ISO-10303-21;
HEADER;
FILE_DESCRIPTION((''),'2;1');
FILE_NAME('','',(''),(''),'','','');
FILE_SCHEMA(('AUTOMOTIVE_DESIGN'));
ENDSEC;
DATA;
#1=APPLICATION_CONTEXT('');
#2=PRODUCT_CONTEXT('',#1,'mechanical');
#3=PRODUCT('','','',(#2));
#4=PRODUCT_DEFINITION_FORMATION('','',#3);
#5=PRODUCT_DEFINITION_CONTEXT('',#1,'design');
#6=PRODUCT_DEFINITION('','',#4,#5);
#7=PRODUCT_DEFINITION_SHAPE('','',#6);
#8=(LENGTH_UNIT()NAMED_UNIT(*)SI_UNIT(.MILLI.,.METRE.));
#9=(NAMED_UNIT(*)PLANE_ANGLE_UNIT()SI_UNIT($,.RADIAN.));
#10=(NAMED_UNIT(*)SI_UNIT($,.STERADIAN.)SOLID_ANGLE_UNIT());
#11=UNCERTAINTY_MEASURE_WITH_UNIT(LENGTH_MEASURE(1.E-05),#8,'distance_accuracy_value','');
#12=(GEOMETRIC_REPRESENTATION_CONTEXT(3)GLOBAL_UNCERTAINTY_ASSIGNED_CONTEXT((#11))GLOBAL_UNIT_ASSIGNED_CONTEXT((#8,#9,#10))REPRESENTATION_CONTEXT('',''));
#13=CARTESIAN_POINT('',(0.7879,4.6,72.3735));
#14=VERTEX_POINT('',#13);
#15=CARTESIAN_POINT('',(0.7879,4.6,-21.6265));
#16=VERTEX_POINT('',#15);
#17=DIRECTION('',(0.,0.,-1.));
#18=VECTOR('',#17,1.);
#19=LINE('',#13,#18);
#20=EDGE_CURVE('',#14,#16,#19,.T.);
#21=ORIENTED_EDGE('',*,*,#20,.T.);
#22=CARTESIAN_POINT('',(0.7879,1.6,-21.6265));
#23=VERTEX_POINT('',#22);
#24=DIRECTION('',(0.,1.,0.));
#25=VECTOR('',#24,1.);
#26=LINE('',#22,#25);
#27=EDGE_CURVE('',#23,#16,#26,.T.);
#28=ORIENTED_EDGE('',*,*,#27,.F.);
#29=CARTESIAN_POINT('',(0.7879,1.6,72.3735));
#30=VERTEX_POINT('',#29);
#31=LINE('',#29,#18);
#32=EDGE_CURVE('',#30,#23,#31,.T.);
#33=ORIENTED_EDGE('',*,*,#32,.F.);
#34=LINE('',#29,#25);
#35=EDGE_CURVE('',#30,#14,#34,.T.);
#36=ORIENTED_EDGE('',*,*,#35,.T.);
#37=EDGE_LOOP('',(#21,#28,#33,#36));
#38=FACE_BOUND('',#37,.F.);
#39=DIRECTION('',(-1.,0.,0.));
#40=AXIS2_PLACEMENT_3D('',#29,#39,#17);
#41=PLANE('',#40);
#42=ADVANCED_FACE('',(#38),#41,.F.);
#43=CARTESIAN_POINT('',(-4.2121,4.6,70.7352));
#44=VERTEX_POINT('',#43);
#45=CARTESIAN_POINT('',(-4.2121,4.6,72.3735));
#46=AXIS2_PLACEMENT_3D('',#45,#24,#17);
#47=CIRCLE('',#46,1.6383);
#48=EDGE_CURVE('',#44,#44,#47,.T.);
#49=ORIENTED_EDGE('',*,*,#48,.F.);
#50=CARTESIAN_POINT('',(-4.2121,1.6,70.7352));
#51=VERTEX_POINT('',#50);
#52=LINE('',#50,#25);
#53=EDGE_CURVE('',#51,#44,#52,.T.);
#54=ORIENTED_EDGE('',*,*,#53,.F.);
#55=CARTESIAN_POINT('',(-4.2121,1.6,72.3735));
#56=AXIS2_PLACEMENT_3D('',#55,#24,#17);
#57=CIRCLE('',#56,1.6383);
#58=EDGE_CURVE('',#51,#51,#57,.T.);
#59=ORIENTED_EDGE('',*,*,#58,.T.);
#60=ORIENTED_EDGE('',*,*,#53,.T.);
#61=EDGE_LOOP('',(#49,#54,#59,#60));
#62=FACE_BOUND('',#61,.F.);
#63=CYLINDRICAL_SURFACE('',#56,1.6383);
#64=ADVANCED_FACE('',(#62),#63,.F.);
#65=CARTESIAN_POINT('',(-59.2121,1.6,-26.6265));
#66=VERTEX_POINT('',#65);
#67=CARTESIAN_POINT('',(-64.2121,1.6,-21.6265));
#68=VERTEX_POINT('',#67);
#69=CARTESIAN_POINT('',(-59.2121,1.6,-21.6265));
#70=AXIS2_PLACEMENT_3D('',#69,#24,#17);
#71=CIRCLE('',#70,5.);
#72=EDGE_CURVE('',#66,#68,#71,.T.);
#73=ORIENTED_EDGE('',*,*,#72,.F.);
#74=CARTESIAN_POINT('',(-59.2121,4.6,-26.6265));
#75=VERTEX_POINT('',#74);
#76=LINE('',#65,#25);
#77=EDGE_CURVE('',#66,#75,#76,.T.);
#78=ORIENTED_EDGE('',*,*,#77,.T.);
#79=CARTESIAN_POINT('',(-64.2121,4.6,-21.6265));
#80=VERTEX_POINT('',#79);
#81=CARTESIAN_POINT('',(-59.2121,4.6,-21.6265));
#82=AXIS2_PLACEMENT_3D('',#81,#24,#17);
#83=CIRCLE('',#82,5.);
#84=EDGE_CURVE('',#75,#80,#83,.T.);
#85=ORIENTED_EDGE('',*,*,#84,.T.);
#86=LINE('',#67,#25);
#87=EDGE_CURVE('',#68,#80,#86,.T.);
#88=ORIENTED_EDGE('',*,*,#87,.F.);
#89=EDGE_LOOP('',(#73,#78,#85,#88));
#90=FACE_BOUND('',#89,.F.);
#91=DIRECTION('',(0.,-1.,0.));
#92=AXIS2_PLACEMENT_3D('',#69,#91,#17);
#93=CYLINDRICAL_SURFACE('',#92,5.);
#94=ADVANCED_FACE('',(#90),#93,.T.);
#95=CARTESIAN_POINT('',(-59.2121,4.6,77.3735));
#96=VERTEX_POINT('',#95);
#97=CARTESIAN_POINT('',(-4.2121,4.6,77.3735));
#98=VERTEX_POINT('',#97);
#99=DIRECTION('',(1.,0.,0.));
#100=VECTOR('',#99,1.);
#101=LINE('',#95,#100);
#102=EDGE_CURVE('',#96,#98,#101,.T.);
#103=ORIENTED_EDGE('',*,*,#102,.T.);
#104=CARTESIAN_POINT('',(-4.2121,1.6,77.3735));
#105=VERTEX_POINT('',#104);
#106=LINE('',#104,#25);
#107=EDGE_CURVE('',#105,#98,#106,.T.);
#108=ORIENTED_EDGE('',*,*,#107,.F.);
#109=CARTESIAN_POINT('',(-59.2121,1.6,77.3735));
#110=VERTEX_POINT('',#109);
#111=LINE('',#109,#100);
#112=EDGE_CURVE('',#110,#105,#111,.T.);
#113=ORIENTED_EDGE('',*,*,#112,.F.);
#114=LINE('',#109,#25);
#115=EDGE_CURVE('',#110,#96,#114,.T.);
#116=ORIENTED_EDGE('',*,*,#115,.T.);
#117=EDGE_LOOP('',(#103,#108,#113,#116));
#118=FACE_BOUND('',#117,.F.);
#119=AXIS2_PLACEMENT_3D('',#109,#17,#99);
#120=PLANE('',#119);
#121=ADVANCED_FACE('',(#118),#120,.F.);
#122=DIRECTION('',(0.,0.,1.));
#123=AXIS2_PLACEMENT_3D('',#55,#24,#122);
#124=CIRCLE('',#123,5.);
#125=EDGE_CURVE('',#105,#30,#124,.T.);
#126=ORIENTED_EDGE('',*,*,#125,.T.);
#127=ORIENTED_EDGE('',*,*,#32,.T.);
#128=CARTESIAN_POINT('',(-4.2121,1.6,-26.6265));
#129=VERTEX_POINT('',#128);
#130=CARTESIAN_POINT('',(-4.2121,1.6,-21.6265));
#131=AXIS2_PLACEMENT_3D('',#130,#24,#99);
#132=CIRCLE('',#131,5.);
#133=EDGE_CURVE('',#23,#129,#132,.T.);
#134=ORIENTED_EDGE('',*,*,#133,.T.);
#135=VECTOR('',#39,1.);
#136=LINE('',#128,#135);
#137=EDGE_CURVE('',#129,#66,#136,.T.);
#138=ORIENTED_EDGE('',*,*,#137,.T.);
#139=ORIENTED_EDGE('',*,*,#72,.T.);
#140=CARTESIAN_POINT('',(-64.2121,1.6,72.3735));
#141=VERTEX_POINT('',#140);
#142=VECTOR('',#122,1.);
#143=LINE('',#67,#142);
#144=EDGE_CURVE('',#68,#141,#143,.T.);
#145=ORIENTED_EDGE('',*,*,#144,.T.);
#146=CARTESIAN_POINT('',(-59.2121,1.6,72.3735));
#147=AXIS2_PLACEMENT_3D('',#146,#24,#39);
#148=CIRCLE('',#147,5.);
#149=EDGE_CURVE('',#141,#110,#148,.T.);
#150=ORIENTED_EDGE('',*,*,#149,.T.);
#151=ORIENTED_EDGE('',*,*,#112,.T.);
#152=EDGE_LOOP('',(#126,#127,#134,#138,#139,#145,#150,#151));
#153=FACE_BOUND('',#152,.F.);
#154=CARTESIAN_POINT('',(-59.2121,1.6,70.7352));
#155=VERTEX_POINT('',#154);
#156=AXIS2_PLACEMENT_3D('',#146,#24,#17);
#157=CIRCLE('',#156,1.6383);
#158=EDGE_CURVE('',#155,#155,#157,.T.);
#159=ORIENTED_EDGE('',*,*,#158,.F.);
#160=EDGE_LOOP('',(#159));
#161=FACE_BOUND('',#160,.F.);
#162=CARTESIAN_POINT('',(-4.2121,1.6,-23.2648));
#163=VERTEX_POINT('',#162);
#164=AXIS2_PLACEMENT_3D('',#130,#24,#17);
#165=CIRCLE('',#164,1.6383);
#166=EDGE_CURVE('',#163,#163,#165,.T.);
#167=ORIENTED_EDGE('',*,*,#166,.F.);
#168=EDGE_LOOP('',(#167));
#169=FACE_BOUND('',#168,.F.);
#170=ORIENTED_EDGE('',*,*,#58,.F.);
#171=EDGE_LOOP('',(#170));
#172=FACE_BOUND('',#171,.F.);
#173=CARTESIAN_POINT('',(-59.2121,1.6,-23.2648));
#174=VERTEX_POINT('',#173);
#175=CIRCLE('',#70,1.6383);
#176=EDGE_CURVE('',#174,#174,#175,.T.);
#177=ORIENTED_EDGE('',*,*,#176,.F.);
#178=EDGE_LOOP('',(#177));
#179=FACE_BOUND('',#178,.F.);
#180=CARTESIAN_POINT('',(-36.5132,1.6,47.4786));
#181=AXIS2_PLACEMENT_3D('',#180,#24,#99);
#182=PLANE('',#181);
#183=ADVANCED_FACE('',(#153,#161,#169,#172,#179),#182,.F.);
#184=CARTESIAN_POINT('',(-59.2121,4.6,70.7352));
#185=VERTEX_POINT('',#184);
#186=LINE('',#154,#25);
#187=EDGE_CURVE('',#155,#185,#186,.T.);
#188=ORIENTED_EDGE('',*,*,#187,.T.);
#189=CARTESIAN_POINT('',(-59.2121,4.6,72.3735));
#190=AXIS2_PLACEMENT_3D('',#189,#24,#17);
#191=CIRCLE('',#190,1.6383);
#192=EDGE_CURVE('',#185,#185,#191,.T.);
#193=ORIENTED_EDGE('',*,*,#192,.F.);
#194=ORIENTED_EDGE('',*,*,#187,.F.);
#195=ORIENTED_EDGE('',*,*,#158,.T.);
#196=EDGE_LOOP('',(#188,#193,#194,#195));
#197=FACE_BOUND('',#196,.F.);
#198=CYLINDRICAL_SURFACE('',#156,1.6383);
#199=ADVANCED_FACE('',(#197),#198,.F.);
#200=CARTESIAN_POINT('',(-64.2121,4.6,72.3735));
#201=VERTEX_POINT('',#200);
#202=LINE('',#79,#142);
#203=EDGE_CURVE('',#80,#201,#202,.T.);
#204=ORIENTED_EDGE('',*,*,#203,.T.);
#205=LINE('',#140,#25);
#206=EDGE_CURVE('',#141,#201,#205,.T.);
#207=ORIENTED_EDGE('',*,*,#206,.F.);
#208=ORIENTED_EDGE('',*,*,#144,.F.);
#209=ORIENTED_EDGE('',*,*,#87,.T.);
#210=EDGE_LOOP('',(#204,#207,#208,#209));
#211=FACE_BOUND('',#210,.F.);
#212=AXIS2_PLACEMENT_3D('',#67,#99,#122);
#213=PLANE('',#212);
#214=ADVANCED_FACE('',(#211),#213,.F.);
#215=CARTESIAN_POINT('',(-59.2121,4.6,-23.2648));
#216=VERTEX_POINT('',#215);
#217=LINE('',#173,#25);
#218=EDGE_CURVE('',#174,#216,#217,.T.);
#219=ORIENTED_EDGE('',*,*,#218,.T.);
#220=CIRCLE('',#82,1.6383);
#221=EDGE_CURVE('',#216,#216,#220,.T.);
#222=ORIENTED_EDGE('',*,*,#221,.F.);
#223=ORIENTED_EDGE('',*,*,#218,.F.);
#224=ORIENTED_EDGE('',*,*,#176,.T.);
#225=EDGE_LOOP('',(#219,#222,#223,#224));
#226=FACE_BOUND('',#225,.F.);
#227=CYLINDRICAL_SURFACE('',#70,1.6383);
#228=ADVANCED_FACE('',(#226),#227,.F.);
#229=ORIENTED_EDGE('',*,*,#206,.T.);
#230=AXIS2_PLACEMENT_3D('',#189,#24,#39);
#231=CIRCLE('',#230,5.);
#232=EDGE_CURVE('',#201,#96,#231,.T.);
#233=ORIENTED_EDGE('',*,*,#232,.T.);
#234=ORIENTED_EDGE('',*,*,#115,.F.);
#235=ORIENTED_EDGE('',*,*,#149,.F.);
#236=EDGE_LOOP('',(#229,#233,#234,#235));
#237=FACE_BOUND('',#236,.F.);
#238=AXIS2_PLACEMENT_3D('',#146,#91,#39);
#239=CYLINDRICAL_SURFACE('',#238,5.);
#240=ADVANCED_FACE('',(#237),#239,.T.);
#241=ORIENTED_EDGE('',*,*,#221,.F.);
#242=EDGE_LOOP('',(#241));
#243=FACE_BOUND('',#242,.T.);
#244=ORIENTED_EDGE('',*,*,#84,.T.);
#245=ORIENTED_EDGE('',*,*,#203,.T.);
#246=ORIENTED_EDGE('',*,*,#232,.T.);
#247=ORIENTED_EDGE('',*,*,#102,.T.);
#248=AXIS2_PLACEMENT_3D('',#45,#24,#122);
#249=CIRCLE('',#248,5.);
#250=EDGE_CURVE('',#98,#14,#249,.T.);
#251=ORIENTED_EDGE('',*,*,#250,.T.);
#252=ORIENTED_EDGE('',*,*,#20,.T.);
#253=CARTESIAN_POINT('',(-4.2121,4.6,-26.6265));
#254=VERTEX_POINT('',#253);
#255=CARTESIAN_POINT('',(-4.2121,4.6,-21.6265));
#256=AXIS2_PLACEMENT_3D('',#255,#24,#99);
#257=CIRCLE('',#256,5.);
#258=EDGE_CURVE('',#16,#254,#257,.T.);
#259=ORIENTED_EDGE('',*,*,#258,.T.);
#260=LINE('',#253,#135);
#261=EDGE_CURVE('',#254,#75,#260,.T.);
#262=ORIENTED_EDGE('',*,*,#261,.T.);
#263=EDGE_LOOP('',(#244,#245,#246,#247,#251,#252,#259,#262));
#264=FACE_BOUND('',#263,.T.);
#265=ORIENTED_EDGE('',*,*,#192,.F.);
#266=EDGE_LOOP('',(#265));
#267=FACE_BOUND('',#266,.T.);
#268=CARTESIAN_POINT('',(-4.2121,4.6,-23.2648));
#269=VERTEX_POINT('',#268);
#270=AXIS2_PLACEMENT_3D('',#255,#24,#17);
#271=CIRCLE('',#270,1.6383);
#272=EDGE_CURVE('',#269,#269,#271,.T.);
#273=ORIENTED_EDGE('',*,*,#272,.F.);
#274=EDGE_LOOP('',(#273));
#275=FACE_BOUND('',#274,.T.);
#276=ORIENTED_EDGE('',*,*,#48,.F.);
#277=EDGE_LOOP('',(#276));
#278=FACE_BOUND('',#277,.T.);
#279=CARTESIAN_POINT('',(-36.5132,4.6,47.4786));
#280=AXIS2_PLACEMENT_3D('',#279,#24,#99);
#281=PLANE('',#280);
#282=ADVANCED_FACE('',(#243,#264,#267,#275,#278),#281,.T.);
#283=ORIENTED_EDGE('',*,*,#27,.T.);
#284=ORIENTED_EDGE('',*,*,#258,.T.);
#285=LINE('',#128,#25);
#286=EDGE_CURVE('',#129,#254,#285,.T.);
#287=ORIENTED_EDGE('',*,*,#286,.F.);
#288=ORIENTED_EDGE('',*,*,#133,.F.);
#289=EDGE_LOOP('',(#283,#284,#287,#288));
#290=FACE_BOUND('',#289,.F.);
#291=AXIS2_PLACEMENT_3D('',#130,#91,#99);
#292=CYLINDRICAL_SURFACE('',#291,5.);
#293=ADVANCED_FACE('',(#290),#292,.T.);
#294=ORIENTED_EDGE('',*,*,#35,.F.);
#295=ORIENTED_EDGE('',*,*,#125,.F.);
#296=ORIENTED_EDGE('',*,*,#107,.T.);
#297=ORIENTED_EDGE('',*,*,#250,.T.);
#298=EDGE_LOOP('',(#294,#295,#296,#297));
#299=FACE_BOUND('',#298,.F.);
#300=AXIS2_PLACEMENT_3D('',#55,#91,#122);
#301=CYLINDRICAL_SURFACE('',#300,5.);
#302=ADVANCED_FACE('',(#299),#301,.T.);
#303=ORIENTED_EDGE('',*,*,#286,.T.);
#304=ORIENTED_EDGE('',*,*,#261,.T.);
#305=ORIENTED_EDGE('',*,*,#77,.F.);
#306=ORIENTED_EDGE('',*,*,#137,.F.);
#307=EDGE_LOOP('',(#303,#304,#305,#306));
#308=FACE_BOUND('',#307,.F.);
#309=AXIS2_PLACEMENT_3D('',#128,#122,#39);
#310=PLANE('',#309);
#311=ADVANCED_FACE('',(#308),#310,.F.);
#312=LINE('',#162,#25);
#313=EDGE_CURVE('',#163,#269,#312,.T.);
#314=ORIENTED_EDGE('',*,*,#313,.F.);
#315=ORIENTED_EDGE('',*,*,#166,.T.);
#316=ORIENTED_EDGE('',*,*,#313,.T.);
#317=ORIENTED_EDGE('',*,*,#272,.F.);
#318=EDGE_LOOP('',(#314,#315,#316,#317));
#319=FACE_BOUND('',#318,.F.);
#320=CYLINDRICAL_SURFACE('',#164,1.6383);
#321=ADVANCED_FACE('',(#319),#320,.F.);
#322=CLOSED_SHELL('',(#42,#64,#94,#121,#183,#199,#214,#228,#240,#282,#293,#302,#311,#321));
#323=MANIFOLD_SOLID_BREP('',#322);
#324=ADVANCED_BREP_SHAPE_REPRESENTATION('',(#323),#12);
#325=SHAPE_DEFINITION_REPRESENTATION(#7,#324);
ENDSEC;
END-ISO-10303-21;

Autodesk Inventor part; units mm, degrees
ref_plane "YZ Plane" through (0, 0, 0) normal (1, 0, 0) x (0, 1, 0)
ref_plane "XZ Plane" through (0, 0, 0) normal (0, 1, 0) x (-1, 0, 0)
ref_plane "Work Plane2" through (-36.5132, 1.6, 47.4786) normal (0, 1, 0) x (1, 0, 0)
sketch "Sketch1" plane through (-36.5132, 1.6, 47.4786) normal (0, 1, 0) x (1, 0, 0)
  line L0 (-22.6989, -29.8949) -> (32.3011, -29.8949)
  line L1 (37.3011, -24.8949) -> (37.3011, 69.1051)
  line L2 (32.3011, 74.1051) -> (-22.6989, 74.1051)
  line L3 (-27.6989, 69.1051) -> (-27.6989, -24.8949)
  arc A0 (-27.6989, -24.8949) -> (-22.6989, -29.8949) centre (-22.6989, -24.8949) ccw
  arc A1 (-22.6989, 74.1051) -> (-27.6989, 69.1051) centre (-22.6989, 69.1051) ccw
  arc A2 (37.3011, 69.1051) -> (32.3011, 74.1051) centre (32.3011, 69.1051) ccw
  arc A3 (32.3011, -29.8949) -> (37.3011, -24.8949) centre (32.3011, -24.8949) ccw
  line L4 (-22.6989, -24.8949) -> (32.3011, -24.8949) construction
  line L5 (32.3011, -24.8949) -> (32.3011, 69.1051) construction
  line L6 (32.3011, 69.1051) -> (-22.6989, 69.1051) construction
  line L7 (-22.6989, 69.1051) -> (-22.6989, -24.8949) construction
  dimension "d2" = 5
  dimension "d5" = 94
  dimension "d6" = 55
extrude "Extrusion1" add sketch "Sketch1" along normal blind 3
sketch "Sketch2" plane through (-36.5132, 1.6, 47.4786) normal (0, -1, 0) x (1, 0, 0)
  arc A0 (-22.6989, 29.8949) -> (-27.6989, 24.8949) centre (-22.6989, 24.8949) ccw construction
  arc A1 (-27.6989, -69.1051) -> (-22.6989, -74.1051) centre (-22.6989, -69.1051) ccw construction
  arc A2 (32.3011, -74.1051) -> (37.3011, -69.1051) centre (32.3011, -69.1051) ccw construction
  arc A3 (37.3011, 24.8949) -> (32.3011, 29.8949) centre (32.3011, 24.8949) ccw construction
hole "Hole1" at (-59.2121, 1.6, -21.6265) at (-4.2121, 1.6, 72.3735) at (-59.2121, 1.6, 72.3735) at (-4.2121, 1.6, -21.6265) direction (0, 1, 0) diameter 3.2766 end through all clearance for "Socket Head Cap Screw" size "#4" standard "Ansi Unified Screw Threads"
equation "\"d5\" = LCD_PCB_Horizontal_Hole_Spacing"
equation "\"d6\" = LCD_PCB_Vertical_Hole_Spacing"
equation "\"LCD_PCB_Horizontal_Hole_Spacing\" = 94"
equation "\"LCD_PCB_Vertical_Hole_Spacing\" = 55"
properties part number "LCD_Cover" material "Polycarbonate, Clear"
